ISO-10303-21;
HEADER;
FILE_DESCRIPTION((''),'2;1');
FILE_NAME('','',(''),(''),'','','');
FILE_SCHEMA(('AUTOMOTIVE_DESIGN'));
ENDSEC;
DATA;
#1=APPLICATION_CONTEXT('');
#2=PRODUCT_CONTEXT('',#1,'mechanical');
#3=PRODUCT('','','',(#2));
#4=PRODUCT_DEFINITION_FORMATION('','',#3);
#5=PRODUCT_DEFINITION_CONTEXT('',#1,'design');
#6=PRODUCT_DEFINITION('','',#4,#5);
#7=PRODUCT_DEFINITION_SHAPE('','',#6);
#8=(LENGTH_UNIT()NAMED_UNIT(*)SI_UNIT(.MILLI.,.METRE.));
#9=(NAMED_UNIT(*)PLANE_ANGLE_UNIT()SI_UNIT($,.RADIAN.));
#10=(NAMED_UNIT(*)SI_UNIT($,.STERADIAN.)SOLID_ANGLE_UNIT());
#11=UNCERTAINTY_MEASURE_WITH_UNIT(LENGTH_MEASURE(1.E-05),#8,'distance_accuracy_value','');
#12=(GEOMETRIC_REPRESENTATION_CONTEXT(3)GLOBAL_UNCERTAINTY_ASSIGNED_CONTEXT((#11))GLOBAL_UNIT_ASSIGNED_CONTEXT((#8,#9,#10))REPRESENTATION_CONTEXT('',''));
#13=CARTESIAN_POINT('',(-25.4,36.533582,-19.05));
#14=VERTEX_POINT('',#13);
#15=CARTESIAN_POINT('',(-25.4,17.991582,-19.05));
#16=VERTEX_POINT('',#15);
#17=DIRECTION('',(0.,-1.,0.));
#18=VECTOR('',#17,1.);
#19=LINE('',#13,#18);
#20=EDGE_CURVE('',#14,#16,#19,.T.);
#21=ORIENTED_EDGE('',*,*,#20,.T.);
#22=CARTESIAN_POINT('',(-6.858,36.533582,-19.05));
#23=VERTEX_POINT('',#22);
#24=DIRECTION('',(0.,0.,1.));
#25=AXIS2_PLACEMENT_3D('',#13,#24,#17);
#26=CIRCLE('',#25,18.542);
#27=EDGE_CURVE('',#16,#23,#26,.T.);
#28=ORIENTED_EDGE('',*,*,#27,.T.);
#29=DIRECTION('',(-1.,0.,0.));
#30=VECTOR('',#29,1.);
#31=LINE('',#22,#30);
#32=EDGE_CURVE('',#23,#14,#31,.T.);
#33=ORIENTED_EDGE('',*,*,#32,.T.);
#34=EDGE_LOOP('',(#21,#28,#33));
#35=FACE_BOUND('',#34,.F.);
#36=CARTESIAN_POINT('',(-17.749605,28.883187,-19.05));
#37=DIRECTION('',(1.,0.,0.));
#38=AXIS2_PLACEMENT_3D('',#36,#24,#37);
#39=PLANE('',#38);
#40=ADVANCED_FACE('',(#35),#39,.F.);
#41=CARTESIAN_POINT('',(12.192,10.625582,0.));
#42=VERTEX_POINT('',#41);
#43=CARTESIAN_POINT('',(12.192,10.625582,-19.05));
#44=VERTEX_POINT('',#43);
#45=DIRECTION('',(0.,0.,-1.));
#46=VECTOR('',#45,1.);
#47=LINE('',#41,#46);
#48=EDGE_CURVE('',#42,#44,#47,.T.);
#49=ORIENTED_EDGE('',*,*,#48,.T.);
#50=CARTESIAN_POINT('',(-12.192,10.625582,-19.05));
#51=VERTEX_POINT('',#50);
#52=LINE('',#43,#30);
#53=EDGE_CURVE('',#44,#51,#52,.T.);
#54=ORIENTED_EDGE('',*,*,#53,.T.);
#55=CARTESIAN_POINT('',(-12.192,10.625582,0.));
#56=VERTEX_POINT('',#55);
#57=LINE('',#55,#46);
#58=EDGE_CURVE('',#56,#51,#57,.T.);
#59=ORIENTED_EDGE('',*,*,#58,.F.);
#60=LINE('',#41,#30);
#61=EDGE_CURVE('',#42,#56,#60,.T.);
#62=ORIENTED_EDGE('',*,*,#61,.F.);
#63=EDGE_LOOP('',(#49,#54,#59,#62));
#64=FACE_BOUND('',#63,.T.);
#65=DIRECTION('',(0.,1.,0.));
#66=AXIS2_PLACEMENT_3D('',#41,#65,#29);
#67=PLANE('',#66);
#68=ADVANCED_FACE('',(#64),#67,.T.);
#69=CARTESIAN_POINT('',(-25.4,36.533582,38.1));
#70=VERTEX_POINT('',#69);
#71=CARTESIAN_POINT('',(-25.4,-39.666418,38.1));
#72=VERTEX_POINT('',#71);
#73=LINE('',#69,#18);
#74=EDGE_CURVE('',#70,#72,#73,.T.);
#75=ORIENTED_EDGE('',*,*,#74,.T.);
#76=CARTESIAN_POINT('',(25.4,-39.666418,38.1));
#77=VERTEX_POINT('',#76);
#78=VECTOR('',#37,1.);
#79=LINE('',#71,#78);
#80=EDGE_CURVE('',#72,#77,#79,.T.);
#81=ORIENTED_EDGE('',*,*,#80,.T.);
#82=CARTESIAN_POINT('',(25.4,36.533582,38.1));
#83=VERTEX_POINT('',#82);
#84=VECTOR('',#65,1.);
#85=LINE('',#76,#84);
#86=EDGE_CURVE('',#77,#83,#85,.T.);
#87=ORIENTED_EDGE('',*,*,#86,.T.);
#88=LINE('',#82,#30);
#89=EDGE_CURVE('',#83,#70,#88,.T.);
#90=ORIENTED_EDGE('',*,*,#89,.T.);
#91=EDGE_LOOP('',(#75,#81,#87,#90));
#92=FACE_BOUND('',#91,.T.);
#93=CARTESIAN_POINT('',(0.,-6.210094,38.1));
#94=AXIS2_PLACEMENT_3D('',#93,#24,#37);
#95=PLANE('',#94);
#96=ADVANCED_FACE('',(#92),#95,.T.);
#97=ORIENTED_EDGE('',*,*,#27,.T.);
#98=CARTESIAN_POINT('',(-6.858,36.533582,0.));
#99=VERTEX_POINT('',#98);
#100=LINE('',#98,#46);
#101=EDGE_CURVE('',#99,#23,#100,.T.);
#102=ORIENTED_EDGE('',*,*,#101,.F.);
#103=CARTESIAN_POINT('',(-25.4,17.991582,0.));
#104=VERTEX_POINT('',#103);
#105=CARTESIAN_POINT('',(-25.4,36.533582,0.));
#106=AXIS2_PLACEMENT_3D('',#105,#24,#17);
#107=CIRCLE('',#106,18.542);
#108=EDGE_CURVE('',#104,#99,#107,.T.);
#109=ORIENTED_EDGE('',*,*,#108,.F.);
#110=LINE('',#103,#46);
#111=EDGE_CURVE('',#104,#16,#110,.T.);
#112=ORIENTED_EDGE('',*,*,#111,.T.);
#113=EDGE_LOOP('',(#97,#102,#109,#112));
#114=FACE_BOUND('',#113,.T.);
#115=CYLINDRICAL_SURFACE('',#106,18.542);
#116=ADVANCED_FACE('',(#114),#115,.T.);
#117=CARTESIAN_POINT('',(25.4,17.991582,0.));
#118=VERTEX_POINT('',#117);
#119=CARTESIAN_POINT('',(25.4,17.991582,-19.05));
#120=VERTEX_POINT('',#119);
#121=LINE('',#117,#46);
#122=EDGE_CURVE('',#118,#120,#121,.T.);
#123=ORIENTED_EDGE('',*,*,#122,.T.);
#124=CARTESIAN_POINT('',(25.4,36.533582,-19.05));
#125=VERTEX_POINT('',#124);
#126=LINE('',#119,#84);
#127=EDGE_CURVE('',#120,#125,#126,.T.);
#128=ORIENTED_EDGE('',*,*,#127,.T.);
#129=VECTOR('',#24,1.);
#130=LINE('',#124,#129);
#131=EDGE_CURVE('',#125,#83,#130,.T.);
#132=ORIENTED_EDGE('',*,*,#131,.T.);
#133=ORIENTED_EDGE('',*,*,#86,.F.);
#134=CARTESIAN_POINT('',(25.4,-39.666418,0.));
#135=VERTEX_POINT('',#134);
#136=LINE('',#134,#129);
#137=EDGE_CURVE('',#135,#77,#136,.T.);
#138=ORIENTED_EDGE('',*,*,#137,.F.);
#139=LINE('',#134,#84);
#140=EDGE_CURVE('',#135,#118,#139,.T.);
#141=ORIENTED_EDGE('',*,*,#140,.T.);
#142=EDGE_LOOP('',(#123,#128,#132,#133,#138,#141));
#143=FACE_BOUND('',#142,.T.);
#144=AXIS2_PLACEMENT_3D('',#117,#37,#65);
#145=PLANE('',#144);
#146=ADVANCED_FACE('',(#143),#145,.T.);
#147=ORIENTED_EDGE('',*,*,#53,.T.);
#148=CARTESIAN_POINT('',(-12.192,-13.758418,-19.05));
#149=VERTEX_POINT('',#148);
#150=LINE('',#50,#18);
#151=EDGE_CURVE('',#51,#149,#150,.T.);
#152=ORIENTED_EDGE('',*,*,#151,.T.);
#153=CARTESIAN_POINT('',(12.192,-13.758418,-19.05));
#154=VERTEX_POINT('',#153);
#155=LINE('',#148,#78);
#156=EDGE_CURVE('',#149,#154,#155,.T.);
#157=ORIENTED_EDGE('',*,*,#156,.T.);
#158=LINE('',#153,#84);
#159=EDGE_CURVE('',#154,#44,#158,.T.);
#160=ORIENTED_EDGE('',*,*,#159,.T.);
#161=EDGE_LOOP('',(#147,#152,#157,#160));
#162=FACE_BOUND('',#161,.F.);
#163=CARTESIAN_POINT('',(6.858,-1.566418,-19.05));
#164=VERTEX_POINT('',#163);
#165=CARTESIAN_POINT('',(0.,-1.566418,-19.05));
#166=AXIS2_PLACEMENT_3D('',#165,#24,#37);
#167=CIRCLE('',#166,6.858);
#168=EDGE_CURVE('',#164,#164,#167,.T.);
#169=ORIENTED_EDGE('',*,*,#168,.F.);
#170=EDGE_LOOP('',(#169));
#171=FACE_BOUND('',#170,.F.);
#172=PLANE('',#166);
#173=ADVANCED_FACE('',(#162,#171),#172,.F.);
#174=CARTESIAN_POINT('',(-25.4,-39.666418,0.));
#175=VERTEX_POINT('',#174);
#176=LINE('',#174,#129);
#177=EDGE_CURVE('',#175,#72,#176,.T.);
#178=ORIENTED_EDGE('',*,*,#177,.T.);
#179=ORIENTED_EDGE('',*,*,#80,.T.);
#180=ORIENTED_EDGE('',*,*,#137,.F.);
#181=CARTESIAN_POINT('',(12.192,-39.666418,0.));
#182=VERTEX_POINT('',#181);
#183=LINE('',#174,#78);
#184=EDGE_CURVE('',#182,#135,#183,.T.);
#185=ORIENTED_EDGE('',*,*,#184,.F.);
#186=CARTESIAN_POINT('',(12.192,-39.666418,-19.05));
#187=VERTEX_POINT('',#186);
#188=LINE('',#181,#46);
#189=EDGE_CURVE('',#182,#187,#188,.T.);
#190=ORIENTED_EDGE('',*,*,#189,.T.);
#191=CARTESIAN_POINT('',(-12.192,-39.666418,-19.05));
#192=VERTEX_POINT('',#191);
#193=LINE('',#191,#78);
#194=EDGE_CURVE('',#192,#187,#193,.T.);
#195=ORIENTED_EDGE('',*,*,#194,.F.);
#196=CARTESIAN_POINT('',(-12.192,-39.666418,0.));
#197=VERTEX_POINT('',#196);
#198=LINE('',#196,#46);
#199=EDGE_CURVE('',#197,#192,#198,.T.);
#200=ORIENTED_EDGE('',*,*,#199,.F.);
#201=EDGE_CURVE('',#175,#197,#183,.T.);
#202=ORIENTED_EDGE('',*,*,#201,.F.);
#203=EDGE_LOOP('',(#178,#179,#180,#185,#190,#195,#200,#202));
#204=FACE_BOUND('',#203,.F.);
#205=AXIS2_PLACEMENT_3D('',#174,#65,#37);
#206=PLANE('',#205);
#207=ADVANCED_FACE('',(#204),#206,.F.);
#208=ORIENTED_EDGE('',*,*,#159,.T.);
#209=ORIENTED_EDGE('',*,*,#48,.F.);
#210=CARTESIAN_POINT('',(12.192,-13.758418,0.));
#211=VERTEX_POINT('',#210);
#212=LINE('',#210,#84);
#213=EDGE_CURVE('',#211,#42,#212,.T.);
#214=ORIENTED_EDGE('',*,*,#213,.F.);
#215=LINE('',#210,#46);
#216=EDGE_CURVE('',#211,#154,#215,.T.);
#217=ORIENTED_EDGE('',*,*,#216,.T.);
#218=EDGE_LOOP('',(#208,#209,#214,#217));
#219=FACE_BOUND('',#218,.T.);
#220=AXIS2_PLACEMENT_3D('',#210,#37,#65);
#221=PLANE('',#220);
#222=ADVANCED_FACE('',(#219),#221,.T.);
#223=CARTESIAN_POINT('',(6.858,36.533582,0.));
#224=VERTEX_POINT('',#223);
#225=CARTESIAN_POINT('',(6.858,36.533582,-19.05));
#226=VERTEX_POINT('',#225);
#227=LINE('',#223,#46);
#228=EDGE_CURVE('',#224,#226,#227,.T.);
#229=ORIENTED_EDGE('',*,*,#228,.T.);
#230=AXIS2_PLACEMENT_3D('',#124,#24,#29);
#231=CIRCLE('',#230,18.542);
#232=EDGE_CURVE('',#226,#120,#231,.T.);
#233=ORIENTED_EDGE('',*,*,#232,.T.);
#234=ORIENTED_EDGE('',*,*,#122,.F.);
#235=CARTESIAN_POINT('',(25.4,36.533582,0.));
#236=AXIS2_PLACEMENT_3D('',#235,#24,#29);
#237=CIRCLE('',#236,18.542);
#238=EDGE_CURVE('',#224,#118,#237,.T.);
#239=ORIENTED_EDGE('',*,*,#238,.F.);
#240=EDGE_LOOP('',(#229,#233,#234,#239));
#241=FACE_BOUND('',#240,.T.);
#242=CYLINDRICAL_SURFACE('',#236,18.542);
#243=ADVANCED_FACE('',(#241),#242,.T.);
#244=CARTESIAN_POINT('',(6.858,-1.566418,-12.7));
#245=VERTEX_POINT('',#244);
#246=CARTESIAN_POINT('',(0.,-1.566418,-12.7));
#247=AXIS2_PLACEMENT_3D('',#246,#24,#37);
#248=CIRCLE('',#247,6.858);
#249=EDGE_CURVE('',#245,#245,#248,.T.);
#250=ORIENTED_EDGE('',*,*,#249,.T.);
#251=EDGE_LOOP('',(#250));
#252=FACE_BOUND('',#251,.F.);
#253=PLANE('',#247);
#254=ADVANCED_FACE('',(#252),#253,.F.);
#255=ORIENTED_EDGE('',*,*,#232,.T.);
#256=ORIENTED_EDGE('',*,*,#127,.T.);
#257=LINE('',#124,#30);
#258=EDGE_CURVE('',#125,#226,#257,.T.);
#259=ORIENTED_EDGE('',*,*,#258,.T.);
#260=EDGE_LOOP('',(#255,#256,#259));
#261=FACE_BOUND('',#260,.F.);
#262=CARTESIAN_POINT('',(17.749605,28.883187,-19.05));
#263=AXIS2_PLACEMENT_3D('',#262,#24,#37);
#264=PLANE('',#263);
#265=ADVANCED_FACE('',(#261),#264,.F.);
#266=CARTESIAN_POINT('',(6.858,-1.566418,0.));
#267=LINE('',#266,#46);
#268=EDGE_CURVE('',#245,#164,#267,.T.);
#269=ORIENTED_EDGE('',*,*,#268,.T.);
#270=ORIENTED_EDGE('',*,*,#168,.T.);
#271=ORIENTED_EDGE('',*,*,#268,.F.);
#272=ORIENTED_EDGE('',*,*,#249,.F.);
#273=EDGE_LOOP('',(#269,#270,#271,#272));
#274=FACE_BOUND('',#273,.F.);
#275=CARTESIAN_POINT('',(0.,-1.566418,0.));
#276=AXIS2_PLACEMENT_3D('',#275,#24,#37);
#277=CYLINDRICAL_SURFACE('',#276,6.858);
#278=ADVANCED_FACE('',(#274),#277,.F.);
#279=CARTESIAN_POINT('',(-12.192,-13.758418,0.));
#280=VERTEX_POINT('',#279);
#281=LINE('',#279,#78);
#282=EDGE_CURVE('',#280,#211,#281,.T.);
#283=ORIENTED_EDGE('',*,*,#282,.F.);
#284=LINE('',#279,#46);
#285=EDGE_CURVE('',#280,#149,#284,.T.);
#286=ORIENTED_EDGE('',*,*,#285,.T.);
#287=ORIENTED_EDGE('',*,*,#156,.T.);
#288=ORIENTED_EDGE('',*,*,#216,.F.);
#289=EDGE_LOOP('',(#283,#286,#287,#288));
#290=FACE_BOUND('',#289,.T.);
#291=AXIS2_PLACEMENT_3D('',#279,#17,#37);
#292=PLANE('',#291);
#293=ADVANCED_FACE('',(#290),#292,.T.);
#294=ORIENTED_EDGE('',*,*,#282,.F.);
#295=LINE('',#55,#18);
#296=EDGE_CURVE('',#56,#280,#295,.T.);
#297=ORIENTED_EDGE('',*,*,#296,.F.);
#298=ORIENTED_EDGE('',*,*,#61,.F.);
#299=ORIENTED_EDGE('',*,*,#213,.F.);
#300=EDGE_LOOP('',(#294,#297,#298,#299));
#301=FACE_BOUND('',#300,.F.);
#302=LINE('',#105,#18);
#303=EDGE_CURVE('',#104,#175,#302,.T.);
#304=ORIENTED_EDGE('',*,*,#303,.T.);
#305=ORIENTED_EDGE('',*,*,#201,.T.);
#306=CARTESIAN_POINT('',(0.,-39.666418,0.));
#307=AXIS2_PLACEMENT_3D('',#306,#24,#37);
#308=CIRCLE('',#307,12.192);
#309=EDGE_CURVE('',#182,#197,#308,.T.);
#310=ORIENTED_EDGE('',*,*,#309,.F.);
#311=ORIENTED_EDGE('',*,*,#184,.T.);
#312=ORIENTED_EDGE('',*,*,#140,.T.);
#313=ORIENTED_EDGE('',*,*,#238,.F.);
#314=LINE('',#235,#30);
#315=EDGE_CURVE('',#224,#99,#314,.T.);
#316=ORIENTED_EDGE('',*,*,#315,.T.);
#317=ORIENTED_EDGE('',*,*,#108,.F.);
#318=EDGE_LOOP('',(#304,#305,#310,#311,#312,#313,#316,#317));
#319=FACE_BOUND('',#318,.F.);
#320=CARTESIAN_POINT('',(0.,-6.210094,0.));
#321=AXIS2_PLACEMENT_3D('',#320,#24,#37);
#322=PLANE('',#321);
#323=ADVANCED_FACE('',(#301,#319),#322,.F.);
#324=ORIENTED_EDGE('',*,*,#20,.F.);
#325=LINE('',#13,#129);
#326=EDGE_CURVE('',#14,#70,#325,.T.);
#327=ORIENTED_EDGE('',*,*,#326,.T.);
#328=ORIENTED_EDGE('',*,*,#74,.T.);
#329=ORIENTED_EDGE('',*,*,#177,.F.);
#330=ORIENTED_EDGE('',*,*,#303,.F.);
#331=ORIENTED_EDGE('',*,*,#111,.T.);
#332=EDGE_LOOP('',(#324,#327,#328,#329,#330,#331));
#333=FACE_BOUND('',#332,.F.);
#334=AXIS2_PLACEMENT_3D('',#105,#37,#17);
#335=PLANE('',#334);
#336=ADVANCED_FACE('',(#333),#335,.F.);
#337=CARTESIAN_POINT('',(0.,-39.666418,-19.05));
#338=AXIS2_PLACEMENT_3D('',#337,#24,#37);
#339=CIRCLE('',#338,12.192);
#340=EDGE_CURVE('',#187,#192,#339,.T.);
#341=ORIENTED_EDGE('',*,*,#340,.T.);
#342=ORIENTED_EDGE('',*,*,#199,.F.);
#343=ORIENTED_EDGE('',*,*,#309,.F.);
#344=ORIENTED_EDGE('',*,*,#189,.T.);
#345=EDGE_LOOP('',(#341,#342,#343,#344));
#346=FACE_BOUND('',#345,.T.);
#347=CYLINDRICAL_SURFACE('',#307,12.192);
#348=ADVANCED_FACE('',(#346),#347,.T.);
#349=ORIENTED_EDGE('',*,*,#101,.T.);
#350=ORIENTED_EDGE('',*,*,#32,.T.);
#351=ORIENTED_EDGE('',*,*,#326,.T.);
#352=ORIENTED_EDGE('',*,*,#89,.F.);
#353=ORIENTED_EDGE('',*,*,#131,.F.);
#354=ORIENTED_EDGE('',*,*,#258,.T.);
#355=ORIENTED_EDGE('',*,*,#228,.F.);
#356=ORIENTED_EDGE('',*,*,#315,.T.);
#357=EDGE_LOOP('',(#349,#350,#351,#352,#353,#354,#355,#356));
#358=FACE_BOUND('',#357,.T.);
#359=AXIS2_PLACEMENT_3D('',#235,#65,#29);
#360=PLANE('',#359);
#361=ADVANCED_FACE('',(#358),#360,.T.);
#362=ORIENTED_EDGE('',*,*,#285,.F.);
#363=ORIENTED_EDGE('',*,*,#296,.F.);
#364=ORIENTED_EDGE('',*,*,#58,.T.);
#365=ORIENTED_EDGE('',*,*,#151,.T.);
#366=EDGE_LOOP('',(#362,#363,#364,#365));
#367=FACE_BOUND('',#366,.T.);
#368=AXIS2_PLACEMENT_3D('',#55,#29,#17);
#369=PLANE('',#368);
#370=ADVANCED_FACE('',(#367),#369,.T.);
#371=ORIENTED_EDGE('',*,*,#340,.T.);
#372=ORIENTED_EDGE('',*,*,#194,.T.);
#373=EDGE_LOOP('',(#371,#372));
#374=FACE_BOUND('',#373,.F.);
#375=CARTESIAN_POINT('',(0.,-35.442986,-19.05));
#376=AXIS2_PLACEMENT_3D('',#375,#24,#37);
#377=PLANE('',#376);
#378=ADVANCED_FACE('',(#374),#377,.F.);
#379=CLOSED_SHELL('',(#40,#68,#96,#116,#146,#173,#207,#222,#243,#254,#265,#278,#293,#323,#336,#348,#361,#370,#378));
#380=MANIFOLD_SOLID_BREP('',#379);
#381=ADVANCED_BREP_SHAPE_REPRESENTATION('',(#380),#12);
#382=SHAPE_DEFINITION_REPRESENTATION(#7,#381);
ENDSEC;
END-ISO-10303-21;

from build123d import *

# Parameters (mm, degrees)
F0_R     = 6.858
F1_DEPTH = 38.1
F2_DEPTH = 19.05
F3_DEPTH = 12.7


with BuildPart() as f1:
    # F0 (on Top) → F1 (new body)
    with BuildSketch(Plane.XY):
        with BuildLine():
            ThreePointArc((25.4, 17.991581587), (12.2888260632, 23.4224076502), (6.858, 36.533581587))
            Line((6.858, 36.533581587), (-6.858, 36.533581587))
            ThreePointArc((-6.858, 36.533581587), (-12.2888260632, 23.4224076502), (-25.4, 17.991581587))
            Line((-25.4, 17.991581587), (-25.4, -39.666418413))
            Line((-25.4, -39.666418413), (-12.192, -39.666418413))
            ThreePointArc((-12.192, -39.666418413), (0, -27.474418413), (12.192, -39.666418413))
            Line((12.192, -39.666418413), (25.4, -39.666418413))
            Line((25.4, -39.666418413), (25.4, 17.991581587))
        make_face()
        Polygon((-12.192, 10.625581587), (12.192, 10.625581587), (12.192, 0), (12.192, -13.758418413), (-12.192, -13.758418413), (-12.192, 0), align=None, mode=Mode.SUBTRACT)
        Polygon((12.192, 0), (12.192, 10.625581587), (-12.192, 10.625581587), (-12.192, 0), (-12.192, -13.758418413), (12.192, -13.758418413), align=None)
        with Locations((0, -1.566418413)):
            Circle(F0_R, mode=Mode.SUBTRACT)
        with BuildLine():
            Line((25.4, 17.991581587), (25.4, 36.533581587))
            Line((25.4, 36.533581587), (6.858, 36.533581587))
            ThreePointArc((6.858, 36.533581587), (12.2888260632, 23.4224076502), (25.4, 17.991581587))
        make_face()
        with BuildLine():
            ThreePointArc((-25.4, 17.991581587), (-12.2888260632, 23.4224076502), (-6.858, 36.533581587))
            Line((-6.858, 36.533581587), (-25.4, 36.533581587))
            Line((-25.4, 36.533581587), (-25.4, 17.991581587))
        make_face()
        with BuildLine():
            Line((-12.192, -39.666418413), (12.192, -39.666418413))
            ThreePointArc((12.192, -39.666418413), (0, -27.474418413), (-12.192, -39.666418413))
        make_face()
        with Locations((0, -1.566418413)):
            Circle(F0_R)
    extrude(amount=F1_DEPTH)

    # F0 (on Top) → F2 (join)
    with BuildSketch(Plane.XY):
        with BuildLine():
            Line((-12.192, -39.666418413), (12.192, -39.666418413))
            ThreePointArc((12.192, -39.666418413), (0, -27.474418413), (-12.192, -39.666418413))
        make_face()
        Polygon((12.192, 0), (12.192, 10.625581587), (-12.192, 10.625581587), (-12.192, 0), (-12.192, -13.758418413), (12.192, -13.758418413), align=None)
        with Locations((0, -1.566418413)):
            Circle(F0_R, mode=Mode.SUBTRACT)
        with BuildLine():
            Line((25.4, 17.991581587), (25.4, 36.533581587))
            Line((25.4, 36.533581587), (6.858, 36.533581587))
            ThreePointArc((6.858, 36.533581587), (12.2888260632, 23.4224076502), (25.4, 17.991581587))
        make_face()
        with BuildLine():
            ThreePointArc((-25.4, 17.991581587), (-12.2888260632, 23.4224076502), (-6.858, 36.533581587))
            Line((-6.858, 36.533581587), (-25.4, 36.533581587))
            Line((-25.4, 36.533581587), (-25.4, 17.991581587))
        make_face()
    extrude(amount=-F2_DEPTH)

    # F0 (on Top) → F3 (join)
    with BuildSketch(Plane.XY):
        with Locations((0, -1.566418413)):
            Circle(F0_R)
    extrude(amount=-F3_DEPTH)


solid = f1.part
